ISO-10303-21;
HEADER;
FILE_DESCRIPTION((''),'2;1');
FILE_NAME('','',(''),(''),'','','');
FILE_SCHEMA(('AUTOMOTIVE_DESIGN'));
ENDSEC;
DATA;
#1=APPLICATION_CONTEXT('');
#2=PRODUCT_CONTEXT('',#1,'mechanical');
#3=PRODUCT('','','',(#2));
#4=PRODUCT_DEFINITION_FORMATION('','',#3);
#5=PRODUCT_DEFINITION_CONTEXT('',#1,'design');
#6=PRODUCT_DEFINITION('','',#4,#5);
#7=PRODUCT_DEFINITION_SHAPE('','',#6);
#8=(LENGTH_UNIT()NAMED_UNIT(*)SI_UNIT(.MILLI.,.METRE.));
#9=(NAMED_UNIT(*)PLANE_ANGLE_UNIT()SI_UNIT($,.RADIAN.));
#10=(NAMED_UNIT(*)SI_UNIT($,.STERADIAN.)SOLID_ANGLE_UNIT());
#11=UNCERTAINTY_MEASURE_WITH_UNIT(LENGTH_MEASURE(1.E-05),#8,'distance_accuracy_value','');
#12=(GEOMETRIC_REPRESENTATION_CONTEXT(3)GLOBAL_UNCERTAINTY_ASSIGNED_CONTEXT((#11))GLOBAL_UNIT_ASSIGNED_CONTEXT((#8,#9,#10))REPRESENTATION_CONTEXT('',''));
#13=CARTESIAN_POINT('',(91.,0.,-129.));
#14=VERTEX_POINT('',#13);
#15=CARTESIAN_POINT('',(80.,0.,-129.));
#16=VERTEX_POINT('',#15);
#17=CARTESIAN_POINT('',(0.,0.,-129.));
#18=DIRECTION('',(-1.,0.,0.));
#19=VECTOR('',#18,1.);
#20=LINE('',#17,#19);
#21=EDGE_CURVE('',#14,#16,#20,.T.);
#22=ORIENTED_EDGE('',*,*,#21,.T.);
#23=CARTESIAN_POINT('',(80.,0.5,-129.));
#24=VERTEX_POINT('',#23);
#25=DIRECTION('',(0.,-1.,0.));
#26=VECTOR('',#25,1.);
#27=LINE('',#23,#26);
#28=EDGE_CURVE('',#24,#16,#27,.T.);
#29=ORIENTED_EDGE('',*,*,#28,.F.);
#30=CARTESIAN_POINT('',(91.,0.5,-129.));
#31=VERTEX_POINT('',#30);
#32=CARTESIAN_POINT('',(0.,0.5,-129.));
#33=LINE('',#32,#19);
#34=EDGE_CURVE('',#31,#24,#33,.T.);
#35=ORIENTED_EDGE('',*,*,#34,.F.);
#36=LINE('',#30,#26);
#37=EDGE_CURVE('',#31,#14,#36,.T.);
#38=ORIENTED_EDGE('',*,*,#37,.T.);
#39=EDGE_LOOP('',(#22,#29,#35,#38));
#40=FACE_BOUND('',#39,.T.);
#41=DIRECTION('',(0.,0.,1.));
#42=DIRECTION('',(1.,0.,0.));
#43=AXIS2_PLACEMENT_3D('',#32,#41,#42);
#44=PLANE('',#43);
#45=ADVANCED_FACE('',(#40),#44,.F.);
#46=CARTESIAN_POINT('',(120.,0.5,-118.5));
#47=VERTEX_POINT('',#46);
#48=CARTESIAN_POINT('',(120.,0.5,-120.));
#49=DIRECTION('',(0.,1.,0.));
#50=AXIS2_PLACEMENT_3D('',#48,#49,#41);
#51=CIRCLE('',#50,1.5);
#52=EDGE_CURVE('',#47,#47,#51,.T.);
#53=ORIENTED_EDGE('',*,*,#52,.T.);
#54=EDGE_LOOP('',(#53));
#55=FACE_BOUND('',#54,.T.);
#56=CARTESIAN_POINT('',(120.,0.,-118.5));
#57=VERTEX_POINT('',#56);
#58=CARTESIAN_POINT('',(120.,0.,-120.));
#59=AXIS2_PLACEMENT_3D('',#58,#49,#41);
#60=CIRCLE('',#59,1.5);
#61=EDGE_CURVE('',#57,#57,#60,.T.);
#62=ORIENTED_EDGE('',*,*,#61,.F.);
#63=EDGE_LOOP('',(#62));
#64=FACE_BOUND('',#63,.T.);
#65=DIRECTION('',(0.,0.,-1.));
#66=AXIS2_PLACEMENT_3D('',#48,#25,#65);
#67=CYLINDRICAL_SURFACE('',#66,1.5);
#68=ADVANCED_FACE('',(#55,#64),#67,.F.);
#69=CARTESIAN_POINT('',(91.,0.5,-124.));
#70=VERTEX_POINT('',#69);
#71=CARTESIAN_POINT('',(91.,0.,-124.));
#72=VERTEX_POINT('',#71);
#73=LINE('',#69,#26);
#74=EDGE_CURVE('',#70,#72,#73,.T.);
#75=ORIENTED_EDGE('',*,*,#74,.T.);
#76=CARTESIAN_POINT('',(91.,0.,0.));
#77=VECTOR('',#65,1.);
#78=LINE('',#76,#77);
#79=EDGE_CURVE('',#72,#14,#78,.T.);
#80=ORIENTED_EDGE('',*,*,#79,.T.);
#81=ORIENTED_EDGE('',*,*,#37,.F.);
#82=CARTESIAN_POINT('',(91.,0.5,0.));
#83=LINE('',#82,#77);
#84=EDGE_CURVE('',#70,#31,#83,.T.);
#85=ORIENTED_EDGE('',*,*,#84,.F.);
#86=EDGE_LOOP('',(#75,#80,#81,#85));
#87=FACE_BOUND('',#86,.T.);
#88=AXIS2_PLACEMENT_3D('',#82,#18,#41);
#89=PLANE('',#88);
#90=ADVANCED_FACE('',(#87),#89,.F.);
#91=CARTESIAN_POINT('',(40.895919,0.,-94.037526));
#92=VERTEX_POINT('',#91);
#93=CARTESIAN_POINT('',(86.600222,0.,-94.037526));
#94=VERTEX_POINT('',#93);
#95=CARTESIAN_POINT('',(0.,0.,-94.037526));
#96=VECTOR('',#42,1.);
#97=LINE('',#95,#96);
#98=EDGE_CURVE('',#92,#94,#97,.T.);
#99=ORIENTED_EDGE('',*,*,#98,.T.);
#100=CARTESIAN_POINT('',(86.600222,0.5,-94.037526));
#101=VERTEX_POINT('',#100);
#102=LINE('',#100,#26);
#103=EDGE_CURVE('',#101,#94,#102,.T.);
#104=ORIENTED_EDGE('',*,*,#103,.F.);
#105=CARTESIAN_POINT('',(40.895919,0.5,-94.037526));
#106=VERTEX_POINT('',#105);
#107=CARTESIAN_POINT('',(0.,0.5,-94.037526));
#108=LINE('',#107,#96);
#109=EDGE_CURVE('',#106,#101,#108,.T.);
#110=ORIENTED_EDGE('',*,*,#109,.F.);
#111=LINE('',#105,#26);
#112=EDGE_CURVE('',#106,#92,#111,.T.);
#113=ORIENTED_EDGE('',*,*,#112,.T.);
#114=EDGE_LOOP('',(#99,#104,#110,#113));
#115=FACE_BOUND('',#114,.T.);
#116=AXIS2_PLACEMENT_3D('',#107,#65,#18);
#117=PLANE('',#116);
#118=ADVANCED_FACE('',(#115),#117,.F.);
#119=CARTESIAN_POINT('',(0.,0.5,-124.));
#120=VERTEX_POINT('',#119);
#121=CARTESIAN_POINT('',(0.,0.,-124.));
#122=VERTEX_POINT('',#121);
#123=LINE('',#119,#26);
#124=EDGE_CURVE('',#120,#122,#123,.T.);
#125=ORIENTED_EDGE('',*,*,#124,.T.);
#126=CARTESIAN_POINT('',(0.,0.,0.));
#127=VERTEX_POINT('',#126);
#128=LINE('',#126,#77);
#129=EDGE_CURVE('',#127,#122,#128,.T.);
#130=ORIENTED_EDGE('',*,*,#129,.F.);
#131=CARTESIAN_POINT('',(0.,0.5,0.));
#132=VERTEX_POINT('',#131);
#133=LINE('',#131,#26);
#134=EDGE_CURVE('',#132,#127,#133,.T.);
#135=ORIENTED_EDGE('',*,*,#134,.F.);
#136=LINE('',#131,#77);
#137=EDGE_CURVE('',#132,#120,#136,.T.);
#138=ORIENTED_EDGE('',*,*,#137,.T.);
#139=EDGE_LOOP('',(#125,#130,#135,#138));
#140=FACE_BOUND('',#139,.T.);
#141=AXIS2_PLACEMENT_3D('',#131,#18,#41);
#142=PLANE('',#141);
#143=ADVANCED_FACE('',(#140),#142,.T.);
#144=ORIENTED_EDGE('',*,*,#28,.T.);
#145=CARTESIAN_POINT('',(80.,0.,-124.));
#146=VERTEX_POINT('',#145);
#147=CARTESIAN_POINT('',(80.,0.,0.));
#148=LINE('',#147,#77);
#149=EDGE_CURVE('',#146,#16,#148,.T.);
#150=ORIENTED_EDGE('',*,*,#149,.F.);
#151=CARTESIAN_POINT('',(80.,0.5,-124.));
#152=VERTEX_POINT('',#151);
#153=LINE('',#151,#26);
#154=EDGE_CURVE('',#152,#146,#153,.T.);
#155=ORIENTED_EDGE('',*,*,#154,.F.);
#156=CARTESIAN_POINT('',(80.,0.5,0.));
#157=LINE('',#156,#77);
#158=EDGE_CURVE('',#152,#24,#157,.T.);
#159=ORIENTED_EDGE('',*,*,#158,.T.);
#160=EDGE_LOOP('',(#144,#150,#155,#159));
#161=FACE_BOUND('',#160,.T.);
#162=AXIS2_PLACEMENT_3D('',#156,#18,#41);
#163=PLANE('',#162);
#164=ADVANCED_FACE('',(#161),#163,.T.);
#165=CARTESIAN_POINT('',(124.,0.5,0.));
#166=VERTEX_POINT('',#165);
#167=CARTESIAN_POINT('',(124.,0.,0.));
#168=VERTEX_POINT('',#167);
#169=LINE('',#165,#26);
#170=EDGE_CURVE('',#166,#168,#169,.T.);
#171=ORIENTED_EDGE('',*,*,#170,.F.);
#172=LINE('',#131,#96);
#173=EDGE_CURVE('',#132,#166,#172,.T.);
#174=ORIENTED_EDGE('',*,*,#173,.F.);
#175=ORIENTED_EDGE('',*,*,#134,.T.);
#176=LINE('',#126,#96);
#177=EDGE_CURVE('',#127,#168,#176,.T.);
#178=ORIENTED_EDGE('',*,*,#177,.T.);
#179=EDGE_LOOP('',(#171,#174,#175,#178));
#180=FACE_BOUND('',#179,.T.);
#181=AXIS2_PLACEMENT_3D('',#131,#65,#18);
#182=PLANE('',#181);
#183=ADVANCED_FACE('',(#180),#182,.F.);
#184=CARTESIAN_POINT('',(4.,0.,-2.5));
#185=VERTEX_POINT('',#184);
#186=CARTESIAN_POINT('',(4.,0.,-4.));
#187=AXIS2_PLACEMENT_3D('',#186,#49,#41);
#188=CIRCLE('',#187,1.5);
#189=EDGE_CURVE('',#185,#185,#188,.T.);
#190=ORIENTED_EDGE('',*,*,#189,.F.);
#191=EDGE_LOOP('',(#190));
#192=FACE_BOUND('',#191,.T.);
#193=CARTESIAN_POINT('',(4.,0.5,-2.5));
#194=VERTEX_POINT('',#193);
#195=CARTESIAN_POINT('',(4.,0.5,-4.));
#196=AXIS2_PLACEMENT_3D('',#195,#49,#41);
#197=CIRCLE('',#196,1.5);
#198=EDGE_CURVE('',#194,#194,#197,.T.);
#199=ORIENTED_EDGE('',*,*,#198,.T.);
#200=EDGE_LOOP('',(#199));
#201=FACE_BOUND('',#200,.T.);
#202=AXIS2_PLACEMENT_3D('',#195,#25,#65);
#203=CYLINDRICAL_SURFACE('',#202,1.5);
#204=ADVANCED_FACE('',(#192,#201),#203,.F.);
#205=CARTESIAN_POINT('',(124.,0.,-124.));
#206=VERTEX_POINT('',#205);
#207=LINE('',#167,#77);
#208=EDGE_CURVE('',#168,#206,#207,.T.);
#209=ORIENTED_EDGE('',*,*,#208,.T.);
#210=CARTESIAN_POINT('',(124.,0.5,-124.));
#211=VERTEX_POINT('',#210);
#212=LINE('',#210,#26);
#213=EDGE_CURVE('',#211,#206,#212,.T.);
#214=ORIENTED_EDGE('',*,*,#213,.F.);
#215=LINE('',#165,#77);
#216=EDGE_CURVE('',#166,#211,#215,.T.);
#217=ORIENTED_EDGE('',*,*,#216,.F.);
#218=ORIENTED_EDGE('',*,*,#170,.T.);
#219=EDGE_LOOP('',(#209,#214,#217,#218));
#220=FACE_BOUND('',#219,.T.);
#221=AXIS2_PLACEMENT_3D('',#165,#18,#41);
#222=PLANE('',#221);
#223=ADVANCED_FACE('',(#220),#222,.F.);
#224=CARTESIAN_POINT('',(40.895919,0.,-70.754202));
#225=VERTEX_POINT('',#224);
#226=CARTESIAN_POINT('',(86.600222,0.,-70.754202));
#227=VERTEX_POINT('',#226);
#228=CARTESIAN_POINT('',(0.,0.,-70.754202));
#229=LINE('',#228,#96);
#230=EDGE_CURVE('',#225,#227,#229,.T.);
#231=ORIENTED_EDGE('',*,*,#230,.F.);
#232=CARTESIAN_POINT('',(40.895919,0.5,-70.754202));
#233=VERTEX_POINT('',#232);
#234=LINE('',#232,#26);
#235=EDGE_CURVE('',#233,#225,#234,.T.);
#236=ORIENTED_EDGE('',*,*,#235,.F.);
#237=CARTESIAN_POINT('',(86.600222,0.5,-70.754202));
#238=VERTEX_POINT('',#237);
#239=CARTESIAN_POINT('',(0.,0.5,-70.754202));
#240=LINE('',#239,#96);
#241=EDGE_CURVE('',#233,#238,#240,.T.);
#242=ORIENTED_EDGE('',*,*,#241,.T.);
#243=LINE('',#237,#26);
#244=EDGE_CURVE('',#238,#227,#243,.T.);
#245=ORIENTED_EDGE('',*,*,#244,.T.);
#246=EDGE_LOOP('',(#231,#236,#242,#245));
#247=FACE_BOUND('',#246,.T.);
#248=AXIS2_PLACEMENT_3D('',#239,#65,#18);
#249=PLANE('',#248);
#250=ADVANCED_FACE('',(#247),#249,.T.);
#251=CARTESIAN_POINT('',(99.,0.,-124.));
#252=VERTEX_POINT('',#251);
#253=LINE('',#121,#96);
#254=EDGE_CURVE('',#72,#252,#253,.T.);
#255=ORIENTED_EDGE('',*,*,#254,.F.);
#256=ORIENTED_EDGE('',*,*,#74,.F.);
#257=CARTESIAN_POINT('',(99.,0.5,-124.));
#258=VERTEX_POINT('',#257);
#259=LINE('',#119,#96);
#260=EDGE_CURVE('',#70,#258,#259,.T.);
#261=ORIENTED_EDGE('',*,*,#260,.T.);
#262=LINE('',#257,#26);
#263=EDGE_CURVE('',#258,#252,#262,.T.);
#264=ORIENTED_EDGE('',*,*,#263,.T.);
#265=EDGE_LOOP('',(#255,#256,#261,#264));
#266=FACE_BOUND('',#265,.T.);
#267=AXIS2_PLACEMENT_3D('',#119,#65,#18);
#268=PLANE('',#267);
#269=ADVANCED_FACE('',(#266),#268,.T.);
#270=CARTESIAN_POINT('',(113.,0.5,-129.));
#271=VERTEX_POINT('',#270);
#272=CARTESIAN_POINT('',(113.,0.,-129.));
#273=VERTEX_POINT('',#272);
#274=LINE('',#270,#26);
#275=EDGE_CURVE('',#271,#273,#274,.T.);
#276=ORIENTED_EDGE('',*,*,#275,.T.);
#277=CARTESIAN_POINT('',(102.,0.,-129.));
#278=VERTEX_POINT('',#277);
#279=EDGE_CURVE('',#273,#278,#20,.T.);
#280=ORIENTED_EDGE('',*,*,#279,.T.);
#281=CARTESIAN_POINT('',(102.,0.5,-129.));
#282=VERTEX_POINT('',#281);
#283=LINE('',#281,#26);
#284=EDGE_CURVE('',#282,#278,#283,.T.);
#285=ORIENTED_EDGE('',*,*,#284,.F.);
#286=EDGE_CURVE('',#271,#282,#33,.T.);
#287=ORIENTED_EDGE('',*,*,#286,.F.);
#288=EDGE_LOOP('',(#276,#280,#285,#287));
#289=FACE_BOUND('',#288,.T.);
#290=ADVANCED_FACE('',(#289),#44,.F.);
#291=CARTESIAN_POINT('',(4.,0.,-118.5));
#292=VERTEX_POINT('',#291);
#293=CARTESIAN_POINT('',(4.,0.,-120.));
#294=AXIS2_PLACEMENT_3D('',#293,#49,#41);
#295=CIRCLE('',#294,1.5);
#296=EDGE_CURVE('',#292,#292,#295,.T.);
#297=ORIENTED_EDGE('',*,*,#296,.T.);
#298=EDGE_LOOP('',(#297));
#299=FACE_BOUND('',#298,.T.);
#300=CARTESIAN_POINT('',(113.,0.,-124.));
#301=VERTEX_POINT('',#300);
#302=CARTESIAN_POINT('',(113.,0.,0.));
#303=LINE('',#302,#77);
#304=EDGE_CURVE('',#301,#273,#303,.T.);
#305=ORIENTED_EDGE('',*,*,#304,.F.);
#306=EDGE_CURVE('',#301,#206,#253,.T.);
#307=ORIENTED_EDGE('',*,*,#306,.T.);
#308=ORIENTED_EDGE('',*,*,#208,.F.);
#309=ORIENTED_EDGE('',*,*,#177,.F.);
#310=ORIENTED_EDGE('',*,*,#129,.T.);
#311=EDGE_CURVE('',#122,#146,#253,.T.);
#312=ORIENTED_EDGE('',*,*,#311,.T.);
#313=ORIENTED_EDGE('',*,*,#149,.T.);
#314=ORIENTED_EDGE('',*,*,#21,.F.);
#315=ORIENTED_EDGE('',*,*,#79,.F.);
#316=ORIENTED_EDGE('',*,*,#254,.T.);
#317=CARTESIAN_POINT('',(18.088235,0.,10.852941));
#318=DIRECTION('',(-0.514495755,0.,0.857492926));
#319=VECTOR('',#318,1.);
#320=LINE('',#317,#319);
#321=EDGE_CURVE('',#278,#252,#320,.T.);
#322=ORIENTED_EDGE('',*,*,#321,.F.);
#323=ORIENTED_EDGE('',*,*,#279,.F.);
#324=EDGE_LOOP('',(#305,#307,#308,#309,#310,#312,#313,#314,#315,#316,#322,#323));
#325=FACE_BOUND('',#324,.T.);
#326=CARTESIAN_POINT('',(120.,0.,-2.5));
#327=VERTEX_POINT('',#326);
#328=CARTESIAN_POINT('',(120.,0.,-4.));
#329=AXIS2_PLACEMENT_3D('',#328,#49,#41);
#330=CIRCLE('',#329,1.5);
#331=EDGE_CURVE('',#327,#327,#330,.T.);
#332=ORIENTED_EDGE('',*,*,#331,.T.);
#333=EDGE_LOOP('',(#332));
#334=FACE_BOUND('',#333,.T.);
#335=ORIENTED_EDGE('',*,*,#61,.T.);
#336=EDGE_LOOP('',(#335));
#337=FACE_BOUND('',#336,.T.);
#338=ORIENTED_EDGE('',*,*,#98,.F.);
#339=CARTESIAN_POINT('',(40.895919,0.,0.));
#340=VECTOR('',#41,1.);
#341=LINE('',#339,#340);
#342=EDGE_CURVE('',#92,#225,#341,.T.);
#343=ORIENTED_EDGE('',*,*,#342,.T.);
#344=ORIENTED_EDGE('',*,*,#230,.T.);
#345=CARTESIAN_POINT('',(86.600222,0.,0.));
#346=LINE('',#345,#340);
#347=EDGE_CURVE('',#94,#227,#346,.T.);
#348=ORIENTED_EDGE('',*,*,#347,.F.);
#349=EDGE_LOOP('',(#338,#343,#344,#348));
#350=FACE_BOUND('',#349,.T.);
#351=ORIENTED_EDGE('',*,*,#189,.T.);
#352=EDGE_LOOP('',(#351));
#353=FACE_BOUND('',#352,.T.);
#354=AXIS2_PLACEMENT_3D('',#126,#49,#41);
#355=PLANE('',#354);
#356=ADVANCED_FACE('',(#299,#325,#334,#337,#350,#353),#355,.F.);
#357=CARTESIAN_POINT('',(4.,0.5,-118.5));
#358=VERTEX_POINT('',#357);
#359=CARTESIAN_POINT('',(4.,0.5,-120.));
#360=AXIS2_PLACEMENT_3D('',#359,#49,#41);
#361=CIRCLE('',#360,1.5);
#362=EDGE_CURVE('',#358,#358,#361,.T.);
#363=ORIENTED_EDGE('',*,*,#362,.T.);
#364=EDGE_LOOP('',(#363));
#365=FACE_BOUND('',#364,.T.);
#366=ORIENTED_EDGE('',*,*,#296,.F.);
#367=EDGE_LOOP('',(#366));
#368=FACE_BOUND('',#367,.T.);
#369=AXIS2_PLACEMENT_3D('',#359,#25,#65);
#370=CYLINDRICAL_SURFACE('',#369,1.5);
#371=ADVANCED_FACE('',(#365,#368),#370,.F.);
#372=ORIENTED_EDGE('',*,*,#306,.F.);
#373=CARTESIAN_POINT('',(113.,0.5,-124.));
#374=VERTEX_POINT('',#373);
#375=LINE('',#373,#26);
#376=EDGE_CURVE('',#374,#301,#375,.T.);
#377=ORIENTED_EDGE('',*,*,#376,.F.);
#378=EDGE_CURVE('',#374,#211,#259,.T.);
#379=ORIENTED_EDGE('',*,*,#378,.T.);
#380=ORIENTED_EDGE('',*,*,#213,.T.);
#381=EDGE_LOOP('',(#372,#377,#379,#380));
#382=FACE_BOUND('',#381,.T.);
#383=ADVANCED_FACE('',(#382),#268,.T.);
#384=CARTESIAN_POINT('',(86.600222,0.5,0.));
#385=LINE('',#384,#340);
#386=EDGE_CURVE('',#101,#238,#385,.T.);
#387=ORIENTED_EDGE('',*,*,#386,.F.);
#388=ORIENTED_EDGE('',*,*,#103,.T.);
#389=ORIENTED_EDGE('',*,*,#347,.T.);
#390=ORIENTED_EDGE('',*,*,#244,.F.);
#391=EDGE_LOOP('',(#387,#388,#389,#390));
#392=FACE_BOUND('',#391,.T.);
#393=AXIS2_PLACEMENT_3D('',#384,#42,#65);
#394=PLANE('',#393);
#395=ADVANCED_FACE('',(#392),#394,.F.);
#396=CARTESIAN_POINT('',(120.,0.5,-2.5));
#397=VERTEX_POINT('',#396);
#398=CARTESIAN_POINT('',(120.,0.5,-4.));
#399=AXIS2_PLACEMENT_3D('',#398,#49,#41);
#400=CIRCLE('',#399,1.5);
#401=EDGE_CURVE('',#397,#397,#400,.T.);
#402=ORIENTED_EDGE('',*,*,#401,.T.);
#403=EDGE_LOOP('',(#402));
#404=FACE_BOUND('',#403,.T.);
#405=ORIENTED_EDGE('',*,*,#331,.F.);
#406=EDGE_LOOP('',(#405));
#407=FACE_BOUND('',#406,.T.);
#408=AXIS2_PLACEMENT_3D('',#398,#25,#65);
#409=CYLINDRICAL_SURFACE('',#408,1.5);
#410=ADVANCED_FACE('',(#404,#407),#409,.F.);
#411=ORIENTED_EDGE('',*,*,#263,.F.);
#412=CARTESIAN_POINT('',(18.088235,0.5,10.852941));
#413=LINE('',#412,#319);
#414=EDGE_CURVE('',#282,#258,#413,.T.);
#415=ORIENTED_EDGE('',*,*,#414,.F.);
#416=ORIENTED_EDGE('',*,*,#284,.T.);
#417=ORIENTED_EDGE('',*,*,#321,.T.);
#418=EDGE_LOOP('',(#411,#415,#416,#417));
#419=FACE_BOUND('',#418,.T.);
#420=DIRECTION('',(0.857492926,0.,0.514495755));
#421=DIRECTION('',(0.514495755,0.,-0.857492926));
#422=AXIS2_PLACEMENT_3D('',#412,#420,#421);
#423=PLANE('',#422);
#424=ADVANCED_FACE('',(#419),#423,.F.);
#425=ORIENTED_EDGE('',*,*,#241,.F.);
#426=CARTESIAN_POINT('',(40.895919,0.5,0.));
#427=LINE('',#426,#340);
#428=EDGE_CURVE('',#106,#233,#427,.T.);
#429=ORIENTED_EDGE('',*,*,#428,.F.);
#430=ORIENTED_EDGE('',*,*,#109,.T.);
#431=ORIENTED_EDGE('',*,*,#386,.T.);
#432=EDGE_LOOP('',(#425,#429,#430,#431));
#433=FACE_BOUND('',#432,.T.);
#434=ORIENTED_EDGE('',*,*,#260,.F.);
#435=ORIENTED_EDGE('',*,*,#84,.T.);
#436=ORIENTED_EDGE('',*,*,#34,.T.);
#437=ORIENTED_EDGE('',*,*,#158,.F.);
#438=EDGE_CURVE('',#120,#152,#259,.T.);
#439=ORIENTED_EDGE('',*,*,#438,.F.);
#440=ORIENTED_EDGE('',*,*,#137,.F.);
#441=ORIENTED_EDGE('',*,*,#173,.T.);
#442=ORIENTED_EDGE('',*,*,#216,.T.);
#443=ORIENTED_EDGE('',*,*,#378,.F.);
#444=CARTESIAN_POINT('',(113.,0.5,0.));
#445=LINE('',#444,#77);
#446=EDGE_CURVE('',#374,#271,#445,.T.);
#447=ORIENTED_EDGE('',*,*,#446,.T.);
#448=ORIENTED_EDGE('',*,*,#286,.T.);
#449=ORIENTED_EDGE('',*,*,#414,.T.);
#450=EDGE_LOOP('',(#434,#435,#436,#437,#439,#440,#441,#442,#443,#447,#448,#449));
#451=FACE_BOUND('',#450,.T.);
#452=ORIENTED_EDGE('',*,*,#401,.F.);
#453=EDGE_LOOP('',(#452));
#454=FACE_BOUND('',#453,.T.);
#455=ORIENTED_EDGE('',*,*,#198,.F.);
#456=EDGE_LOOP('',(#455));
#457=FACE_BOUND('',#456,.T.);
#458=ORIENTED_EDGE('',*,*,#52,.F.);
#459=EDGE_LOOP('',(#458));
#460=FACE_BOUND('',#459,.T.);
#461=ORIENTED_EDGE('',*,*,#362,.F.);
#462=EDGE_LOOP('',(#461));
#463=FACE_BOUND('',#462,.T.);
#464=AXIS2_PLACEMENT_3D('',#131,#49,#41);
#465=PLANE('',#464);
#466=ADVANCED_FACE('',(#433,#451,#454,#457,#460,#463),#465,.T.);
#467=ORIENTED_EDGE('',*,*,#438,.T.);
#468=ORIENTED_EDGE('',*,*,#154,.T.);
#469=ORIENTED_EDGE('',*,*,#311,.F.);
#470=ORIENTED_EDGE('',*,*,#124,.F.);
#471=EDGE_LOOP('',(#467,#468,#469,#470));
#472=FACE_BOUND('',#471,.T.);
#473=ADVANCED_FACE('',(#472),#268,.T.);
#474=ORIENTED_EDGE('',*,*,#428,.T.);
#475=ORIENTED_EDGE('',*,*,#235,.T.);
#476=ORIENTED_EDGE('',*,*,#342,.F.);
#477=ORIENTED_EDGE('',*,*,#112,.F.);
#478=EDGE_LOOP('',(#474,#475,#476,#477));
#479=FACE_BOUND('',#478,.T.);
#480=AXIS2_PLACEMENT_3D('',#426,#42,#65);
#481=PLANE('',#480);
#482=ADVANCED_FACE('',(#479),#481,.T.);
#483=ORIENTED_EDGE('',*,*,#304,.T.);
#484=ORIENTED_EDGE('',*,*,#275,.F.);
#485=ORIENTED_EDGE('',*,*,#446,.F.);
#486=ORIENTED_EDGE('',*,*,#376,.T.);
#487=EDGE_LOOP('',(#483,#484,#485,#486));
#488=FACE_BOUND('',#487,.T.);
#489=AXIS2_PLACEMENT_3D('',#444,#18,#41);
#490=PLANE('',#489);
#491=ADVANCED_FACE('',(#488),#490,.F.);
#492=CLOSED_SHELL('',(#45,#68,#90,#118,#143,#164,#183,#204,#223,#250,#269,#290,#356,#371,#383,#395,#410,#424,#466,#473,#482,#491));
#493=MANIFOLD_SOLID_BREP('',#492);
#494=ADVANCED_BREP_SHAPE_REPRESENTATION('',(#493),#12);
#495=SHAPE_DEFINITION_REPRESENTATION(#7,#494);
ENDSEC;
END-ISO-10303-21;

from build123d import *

# Parameters (mm, degrees)
SKETCH_2_W      = 45.704303388
SKETCH_2_H      = 23.283324367
SKETCH_2_R      = 1.5
EXTRUDE_1_DEPTH = 0.5


with BuildPart() as part:
    # Эскиз2 → Бобышка-Вытянуть1 (new body)
    with BuildSketch(Plane(origin=(0, 0, 0), x_dir=(1, 0, 0), z_dir=(0, 1, 0))):
        Polygon((113, 129), (102, 129), (99, 124), (91, 124), (91, 129), (80, 129), (80, 124), (0, 124), (0, 0), (124, 0), (124, 124), (113, 124), align=None)
        with Locations((63.748070218, 82.395863996)):
            Rectangle(SKETCH_2_W, SKETCH_2_H, mode=Mode.SUBTRACT)
        with Locations((120, 120)):
            Circle(SKETCH_2_R, mode=Mode.SUBTRACT)
        with Locations((4, 4)):
            Circle(SKETCH_2_R, mode=Mode.SUBTRACT)
        with Locations((120, 4)):
            Circle(SKETCH_2_R, mode=Mode.SUBTRACT)
        with Locations((4, 120)):
            Circle(SKETCH_2_R, mode=Mode.SUBTRACT)
    extrude(amount=EXTRUDE_1_DEPTH)


solid = part.part
